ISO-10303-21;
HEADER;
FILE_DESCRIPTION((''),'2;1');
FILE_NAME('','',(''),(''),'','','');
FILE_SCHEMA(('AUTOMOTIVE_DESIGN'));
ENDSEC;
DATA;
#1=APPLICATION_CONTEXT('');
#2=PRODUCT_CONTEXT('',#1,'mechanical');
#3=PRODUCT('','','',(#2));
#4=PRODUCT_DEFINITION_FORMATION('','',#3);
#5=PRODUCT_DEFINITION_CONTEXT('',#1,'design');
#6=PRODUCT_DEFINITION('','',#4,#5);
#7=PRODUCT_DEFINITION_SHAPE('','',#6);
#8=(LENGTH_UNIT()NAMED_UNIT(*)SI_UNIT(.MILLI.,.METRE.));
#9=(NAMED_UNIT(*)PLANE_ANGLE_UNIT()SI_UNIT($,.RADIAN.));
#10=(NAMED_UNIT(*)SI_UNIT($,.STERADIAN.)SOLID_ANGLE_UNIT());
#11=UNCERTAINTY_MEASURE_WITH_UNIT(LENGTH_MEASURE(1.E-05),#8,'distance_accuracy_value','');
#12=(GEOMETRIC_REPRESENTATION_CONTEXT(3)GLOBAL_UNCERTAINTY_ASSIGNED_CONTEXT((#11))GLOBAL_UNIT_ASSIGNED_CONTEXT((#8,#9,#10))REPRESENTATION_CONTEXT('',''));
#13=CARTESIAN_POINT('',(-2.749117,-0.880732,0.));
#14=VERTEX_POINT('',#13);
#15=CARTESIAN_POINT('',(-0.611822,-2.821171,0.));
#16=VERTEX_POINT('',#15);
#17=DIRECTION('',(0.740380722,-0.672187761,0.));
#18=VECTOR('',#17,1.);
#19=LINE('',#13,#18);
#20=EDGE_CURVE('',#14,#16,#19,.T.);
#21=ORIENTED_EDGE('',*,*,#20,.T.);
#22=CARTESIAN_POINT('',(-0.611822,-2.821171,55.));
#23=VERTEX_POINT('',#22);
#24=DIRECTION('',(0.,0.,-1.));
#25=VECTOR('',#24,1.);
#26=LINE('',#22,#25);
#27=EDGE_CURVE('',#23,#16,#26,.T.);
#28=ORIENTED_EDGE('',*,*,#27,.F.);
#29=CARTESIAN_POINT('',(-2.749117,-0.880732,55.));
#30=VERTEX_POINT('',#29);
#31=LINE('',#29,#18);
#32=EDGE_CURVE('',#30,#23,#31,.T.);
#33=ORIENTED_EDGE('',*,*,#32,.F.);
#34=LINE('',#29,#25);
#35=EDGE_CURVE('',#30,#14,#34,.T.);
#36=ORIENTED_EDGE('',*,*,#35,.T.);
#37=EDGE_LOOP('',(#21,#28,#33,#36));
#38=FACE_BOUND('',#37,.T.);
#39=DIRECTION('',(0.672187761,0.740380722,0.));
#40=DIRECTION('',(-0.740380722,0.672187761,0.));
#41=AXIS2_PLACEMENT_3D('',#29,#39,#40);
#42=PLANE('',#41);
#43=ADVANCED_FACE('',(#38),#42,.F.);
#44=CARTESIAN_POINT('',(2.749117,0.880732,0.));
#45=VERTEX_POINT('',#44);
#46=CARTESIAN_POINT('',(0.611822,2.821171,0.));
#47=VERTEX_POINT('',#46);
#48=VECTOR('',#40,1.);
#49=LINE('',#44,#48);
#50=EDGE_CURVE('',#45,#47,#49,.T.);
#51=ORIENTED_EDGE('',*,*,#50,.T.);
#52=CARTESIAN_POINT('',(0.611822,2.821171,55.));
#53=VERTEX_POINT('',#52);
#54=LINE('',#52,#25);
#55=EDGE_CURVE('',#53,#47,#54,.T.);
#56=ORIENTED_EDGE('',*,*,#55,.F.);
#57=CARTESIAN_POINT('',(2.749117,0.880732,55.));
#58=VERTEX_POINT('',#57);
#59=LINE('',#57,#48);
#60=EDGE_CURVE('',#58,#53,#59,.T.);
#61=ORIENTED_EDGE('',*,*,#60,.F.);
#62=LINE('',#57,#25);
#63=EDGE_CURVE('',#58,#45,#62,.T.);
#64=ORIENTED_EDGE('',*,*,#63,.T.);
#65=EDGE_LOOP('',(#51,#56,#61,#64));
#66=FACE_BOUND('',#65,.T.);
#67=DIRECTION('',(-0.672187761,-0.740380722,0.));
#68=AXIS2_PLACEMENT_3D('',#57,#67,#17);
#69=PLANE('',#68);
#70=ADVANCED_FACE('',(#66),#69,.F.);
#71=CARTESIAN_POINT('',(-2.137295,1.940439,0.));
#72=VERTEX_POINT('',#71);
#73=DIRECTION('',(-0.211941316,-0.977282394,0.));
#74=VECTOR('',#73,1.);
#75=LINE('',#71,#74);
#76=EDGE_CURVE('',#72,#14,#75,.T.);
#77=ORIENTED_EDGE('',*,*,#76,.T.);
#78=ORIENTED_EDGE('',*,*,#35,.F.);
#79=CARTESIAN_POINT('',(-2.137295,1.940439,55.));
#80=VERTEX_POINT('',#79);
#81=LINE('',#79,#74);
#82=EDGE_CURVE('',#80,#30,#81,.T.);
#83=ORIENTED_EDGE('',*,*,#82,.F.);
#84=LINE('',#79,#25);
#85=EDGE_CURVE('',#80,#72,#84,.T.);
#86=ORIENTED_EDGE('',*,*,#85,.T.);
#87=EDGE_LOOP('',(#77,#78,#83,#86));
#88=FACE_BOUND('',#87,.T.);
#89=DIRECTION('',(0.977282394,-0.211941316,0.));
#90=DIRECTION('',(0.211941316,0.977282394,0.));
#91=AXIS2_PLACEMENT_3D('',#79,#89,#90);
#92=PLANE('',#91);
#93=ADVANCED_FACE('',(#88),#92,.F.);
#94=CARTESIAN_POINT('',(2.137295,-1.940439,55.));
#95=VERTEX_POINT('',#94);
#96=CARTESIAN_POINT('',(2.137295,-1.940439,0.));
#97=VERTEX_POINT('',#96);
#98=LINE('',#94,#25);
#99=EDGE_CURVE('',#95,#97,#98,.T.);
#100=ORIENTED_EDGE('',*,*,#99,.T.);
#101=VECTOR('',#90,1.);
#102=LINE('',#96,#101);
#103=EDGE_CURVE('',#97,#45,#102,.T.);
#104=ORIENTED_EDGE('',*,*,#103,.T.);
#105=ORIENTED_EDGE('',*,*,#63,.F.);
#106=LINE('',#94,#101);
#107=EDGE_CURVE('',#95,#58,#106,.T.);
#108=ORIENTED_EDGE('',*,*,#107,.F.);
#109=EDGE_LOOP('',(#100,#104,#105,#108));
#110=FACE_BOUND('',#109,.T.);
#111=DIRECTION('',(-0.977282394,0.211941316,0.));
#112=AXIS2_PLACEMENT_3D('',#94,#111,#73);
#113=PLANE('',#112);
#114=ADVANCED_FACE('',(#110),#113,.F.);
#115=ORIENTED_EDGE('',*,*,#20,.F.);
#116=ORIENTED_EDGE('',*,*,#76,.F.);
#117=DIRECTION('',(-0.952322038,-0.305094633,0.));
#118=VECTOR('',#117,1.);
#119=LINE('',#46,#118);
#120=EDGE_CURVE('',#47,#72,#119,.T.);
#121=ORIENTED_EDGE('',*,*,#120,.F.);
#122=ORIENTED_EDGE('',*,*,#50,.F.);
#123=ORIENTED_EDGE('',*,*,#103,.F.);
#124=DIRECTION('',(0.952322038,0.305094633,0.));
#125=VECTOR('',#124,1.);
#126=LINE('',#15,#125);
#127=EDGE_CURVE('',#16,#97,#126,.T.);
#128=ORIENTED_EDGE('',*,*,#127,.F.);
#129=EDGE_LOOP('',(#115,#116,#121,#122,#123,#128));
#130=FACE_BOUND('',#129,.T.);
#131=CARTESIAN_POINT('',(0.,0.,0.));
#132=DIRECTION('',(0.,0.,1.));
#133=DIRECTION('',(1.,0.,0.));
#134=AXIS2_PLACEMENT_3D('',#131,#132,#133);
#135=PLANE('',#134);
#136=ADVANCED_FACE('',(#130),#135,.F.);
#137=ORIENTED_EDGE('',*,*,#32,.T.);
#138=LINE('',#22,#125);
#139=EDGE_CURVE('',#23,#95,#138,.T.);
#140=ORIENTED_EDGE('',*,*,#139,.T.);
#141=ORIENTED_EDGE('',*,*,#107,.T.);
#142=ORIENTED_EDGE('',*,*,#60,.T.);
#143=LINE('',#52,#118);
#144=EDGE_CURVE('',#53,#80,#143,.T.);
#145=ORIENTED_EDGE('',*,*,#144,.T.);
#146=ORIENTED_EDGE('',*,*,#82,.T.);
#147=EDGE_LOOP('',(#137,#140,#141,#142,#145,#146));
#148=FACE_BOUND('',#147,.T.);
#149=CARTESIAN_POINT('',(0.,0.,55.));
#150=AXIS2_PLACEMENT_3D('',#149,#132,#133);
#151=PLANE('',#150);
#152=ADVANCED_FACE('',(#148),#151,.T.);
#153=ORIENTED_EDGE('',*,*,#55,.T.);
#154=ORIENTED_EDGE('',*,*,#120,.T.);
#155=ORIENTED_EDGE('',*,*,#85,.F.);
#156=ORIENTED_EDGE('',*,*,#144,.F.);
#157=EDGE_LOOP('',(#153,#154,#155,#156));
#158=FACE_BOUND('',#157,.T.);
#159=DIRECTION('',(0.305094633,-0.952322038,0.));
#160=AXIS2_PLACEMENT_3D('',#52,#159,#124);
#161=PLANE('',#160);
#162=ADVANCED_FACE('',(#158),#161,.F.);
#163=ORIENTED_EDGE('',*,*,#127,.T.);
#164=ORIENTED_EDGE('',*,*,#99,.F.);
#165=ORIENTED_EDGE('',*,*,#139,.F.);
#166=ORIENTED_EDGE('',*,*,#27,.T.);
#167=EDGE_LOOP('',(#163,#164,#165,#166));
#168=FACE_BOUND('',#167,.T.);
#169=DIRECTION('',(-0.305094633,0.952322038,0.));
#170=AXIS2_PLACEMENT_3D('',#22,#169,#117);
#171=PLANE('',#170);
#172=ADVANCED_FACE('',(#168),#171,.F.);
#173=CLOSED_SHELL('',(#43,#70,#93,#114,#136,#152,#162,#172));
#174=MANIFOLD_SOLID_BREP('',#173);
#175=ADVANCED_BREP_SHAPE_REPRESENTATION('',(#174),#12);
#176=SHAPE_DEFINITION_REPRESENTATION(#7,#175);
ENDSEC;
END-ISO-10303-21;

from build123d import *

# Parameters (mm, degrees)
BOSS_EXTRUDE1_DEPTH = 55


with BuildPart() as part:
    # Sketch1 → Boss-Extrude1 (new body)
    with BuildSketch(Plane.XY):
        Polygon((2.137295047, -1.940438924), (2.749116926, 0.880732344), (0.611821879, 2.821171268), (-2.137295047, 1.940438924), (-2.749116926, -0.880732344), (-0.611821879, -2.821171268), align=None)
    extrude(amount=BOSS_EXTRUDE1_DEPTH)


solid = part.part
